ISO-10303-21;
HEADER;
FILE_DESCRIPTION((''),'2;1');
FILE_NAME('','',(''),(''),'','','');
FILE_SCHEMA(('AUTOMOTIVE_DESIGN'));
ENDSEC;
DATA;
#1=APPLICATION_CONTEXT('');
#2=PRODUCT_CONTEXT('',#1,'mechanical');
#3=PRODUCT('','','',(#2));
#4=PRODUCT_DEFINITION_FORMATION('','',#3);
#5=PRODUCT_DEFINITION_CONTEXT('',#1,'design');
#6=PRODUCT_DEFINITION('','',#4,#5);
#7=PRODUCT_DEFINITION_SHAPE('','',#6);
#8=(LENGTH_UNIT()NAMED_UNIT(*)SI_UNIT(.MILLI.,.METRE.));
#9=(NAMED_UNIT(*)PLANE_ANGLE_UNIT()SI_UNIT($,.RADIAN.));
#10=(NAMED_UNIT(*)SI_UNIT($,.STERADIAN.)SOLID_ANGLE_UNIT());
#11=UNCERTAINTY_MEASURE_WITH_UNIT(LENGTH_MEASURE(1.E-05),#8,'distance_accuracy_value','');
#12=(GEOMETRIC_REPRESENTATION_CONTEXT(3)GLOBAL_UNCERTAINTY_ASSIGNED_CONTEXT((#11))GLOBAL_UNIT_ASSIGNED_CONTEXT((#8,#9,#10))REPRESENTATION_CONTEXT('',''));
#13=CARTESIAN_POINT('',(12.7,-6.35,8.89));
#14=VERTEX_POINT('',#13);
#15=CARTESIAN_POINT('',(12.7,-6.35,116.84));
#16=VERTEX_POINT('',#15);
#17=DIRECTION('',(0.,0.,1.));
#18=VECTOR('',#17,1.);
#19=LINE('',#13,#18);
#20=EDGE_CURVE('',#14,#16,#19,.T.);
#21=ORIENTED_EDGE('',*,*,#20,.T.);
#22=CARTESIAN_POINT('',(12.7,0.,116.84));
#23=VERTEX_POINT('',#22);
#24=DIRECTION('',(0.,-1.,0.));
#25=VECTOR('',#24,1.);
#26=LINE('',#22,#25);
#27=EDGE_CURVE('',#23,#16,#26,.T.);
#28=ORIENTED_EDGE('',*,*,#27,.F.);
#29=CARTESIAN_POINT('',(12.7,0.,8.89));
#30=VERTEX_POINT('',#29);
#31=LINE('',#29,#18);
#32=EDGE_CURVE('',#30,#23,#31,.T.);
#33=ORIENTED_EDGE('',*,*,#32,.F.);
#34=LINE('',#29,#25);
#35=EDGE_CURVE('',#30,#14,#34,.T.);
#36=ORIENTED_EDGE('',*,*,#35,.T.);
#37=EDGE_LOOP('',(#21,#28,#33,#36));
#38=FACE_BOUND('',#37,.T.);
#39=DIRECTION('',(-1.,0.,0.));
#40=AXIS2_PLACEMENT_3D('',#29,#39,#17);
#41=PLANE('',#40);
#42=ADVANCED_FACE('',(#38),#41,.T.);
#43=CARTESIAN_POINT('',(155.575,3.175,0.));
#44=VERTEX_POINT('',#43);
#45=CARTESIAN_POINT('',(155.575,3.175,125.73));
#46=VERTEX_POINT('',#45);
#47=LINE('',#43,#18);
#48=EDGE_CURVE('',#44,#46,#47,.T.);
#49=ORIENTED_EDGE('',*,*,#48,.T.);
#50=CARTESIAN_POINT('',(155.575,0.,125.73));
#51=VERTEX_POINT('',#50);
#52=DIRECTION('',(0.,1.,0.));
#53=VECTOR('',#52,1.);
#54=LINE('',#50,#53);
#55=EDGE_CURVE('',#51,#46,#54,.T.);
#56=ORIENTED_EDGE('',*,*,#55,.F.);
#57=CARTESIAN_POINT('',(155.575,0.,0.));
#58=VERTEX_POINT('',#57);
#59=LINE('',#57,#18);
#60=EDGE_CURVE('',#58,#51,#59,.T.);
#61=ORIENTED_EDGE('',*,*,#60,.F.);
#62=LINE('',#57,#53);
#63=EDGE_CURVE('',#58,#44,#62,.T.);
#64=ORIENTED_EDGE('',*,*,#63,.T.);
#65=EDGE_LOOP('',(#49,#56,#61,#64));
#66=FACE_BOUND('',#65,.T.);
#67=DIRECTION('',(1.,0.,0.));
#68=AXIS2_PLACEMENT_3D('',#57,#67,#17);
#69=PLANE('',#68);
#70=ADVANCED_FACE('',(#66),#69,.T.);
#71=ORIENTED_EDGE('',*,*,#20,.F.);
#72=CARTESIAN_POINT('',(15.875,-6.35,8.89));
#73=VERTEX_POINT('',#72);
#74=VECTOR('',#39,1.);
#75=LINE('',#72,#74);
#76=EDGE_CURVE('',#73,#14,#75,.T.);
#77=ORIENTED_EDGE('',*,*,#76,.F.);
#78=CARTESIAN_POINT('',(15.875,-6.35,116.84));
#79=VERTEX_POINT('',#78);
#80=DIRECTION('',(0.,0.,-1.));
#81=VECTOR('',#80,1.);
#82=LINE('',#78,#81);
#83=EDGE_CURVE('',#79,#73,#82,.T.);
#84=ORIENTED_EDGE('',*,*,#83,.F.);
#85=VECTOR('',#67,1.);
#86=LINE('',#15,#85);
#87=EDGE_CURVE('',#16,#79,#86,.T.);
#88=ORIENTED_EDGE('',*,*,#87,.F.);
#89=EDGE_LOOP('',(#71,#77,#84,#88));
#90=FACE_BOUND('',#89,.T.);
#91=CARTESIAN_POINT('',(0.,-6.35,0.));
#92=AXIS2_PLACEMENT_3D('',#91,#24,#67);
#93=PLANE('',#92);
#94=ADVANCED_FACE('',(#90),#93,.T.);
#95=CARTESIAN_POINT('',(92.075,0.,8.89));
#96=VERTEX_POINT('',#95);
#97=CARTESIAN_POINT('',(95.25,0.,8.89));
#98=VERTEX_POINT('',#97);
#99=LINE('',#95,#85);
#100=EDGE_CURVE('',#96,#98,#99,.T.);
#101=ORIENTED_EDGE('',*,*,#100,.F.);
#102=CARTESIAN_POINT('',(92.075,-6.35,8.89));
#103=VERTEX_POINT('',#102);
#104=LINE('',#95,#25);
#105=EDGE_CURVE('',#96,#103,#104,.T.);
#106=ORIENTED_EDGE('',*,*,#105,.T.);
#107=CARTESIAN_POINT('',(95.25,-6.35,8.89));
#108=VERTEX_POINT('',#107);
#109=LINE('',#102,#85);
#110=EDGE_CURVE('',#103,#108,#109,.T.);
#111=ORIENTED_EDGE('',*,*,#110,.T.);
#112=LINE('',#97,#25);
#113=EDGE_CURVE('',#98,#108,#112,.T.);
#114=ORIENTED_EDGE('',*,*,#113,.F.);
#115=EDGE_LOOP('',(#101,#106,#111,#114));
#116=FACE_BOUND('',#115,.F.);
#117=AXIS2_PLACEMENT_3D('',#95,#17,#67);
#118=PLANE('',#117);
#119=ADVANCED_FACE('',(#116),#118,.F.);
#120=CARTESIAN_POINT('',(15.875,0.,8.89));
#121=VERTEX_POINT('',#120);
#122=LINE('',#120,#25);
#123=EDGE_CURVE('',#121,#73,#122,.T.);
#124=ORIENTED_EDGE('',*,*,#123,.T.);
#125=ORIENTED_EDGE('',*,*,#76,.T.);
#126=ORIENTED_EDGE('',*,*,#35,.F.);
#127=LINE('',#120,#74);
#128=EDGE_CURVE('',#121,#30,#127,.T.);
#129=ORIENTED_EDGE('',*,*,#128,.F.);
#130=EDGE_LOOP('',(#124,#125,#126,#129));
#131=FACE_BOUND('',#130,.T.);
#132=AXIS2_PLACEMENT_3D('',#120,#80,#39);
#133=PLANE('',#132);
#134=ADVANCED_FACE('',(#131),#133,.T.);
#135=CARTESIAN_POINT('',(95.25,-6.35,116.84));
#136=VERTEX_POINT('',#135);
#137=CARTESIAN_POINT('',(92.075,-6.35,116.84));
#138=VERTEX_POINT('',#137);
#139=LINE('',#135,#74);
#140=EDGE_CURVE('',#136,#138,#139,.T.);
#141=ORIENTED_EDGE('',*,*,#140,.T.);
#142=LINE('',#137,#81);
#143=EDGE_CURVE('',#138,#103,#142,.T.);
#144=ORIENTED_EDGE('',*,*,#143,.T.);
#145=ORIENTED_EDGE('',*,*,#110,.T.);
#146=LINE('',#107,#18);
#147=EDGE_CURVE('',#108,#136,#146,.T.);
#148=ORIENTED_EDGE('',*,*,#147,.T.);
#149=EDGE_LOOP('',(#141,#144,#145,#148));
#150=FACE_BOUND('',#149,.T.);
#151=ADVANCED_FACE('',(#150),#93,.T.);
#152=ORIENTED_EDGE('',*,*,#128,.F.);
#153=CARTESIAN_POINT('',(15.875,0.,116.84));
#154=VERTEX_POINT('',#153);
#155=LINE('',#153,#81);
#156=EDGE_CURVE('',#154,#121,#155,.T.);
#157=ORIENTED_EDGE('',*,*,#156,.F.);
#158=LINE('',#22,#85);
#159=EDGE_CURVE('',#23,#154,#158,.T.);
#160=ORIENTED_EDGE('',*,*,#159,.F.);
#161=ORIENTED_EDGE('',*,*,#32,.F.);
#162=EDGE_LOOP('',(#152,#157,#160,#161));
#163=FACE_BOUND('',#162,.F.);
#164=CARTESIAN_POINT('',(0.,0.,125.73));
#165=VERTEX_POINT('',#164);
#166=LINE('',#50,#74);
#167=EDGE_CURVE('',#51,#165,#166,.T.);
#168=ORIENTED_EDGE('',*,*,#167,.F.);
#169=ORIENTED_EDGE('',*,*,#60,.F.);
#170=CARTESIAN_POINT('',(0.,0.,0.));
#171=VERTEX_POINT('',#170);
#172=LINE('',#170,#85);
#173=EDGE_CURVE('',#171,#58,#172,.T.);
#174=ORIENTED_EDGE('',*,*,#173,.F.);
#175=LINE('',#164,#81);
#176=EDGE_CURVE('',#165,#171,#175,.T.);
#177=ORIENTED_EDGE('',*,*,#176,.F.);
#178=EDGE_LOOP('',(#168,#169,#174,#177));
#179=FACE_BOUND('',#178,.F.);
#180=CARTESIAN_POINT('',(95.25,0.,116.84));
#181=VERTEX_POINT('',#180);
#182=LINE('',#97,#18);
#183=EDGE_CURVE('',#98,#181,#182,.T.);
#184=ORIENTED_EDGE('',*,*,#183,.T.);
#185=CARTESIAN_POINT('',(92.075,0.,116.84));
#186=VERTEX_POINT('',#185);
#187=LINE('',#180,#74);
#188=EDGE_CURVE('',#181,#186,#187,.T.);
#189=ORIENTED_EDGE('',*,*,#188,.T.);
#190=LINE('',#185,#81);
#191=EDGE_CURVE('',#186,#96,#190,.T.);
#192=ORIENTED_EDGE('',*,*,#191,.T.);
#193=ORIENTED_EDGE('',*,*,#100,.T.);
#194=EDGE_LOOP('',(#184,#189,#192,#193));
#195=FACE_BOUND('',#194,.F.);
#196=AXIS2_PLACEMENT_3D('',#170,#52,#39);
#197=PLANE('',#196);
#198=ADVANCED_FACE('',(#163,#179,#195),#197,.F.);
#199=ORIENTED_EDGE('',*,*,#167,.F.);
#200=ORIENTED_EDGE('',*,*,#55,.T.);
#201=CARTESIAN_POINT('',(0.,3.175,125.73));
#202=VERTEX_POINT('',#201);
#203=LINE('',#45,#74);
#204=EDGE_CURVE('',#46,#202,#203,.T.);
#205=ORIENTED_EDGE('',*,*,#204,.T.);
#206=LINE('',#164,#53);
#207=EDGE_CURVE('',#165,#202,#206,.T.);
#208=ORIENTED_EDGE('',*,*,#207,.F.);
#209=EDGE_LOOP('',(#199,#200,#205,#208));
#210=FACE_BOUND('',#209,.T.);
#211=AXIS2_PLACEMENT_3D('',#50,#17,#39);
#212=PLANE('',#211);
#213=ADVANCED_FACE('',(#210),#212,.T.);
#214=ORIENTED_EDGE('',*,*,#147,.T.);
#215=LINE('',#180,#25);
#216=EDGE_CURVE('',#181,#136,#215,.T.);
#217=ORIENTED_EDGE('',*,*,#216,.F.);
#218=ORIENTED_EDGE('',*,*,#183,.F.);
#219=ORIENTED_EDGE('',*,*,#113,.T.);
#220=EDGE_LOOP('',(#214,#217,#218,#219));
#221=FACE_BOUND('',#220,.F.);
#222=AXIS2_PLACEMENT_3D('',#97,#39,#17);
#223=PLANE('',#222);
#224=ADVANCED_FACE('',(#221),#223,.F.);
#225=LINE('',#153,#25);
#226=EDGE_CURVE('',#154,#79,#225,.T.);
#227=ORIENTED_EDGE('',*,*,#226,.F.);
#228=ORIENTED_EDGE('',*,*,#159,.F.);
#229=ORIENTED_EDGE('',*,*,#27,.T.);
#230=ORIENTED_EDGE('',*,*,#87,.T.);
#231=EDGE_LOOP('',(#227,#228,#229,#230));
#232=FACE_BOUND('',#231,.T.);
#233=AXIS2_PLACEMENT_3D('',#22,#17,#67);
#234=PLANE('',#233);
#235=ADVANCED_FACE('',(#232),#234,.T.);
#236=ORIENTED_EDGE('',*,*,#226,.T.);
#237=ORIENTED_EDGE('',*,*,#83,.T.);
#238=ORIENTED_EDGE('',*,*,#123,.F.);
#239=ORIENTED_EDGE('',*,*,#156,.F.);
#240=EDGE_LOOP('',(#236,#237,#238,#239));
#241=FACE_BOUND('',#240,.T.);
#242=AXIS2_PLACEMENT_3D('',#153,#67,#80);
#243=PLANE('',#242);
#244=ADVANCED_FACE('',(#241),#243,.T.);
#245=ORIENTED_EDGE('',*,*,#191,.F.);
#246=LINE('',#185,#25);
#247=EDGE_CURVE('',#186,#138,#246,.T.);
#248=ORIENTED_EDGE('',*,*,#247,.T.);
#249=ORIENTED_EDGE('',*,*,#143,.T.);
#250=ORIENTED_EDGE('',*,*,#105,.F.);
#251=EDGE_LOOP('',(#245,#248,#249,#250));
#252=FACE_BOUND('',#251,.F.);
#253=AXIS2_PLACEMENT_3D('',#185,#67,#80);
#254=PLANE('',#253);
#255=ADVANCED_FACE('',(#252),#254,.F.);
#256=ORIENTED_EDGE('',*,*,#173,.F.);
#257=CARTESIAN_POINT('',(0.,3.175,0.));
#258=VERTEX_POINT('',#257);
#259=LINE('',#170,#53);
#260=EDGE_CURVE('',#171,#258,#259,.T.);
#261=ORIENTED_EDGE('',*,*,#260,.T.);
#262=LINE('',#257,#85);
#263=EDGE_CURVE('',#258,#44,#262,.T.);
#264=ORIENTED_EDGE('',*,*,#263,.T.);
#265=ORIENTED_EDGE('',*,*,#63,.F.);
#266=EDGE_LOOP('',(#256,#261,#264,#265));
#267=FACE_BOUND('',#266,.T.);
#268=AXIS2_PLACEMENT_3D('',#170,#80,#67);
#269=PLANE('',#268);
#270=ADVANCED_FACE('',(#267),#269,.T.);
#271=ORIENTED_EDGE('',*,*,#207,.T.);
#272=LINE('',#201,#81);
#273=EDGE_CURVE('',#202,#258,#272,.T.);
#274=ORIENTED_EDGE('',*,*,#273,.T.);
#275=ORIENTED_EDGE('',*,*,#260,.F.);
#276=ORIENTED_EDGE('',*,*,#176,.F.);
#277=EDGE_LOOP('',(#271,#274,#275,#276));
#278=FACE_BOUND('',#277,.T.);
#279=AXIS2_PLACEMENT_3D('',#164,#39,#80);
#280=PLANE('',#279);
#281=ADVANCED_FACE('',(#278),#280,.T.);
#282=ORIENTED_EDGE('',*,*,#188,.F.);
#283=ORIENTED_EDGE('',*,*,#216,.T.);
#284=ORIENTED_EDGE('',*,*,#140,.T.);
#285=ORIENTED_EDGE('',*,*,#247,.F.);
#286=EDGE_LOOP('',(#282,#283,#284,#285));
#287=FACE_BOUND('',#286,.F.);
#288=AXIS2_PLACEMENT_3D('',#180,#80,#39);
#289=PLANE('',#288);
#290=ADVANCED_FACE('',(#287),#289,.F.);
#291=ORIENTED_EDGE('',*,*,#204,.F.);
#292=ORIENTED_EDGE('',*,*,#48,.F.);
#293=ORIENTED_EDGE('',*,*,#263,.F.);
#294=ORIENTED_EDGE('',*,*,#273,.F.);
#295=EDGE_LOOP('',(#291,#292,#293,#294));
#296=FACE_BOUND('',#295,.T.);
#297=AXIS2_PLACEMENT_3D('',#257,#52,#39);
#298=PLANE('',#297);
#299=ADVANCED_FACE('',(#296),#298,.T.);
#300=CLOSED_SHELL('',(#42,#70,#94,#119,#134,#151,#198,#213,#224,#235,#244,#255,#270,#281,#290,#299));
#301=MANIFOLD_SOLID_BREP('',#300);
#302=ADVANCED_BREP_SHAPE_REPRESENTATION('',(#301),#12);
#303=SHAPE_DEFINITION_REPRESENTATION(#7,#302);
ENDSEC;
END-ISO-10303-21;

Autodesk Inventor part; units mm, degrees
ref_plane "YZ Plane" through (0, 0, 0) normal (1, 0, 0) x (0, 1, 0)
ref_plane "XZ Plane" through (0, 0, 0) normal (0, 1, 0) x (-1, 0, 0)
ref_plane "XY Plane" through (0, 0, 0) normal (0, 0, 1) x (1, 0, 0)
sketch "Sketch1" plane through (0, 0, 0) normal (0, 1, 0) x (-1, 0, 0)
  line L0 (0, 0) -> (-155.575, 0)
  line L1 (-155.575, 0) -> (-155.575, 125.73)
  line L2 (-155.575, 125.73) -> (0, 125.73)
  line L3 (0, 125.73) -> (0, 0)
  dimension "d0" = 155.575
  dimension "d1" = 125.73
extrude "Extrusion1" add sketch "Sketch1" along normal blind 3.175
sketch "Sketch2" plane through (0, 0, 0) normal (0, -1, 0) x (1, 0, 0)
  line L0 (155.575, 0) -> (0, 0) construction
  line L1 (0, 0) -> (12.7, 0) construction
  line L2 (0, 125.73) -> (155.575, 125.73) construction
  line L3 (12.7, 0) -> (15.875, 0) construction
  line L4 (15.875, 0) -> (15.875, 125.73) construction
  line L5 (15.875, 125.73) -> (12.7, 125.73) construction
  line L6 (12.7, 125.73) -> (12.7, 0) construction
  line L7 (15.875, 0) -> (92.075, 0) construction
  line L8 (23.8468, 0) -> (23.8468, 8.89) construction
  line L9 (23.8468, 125.73) -> (23.8468, 116.84) construction
  line L10 (23.8468, 8.89) -> (15.875, 8.89) construction
  line L11 (23.8468, 116.84) -> (15.875, 116.84) construction
  line L12 (92.075, 0) -> (92.075, 125.73) construction
  line L13 (23.8468, 116.84) -> (92.075, 116.84) construction
  line L14 (23.8468, 8.89) -> (92.075, 8.89) construction
  line L15 (15.875, 8.89) -> (12.7, 8.89)
  line L16 (12.7, 8.89) -> (12.7, 116.84)
  line L17 (12.7, 116.84) -> (15.875, 116.84)
  line L18 (15.875, 116.84) -> (15.875, 8.89)
  line L19 (92.075, 8.89) -> (95.25, 8.89)
  line L20 (95.25, 8.89) -> (95.25, 116.84)
  line L21 (95.25, 116.84) -> (92.075, 116.84)
  line L22 (92.075, 116.84) -> (92.075, 8.89)
  dimension "d4" = 12.7
  dimension "d5" = 3.175
  dimension "d6" = 76.2
  dimension "d11" = 8.89
  dimension "d12" = 8.89
  dimension "d13" = 3.175
  dimension "d14" = 107.95
extrude "Extrusion2" add sketch "Sketch2" along normal blind 6.35
properties part number "False_Bottom"
